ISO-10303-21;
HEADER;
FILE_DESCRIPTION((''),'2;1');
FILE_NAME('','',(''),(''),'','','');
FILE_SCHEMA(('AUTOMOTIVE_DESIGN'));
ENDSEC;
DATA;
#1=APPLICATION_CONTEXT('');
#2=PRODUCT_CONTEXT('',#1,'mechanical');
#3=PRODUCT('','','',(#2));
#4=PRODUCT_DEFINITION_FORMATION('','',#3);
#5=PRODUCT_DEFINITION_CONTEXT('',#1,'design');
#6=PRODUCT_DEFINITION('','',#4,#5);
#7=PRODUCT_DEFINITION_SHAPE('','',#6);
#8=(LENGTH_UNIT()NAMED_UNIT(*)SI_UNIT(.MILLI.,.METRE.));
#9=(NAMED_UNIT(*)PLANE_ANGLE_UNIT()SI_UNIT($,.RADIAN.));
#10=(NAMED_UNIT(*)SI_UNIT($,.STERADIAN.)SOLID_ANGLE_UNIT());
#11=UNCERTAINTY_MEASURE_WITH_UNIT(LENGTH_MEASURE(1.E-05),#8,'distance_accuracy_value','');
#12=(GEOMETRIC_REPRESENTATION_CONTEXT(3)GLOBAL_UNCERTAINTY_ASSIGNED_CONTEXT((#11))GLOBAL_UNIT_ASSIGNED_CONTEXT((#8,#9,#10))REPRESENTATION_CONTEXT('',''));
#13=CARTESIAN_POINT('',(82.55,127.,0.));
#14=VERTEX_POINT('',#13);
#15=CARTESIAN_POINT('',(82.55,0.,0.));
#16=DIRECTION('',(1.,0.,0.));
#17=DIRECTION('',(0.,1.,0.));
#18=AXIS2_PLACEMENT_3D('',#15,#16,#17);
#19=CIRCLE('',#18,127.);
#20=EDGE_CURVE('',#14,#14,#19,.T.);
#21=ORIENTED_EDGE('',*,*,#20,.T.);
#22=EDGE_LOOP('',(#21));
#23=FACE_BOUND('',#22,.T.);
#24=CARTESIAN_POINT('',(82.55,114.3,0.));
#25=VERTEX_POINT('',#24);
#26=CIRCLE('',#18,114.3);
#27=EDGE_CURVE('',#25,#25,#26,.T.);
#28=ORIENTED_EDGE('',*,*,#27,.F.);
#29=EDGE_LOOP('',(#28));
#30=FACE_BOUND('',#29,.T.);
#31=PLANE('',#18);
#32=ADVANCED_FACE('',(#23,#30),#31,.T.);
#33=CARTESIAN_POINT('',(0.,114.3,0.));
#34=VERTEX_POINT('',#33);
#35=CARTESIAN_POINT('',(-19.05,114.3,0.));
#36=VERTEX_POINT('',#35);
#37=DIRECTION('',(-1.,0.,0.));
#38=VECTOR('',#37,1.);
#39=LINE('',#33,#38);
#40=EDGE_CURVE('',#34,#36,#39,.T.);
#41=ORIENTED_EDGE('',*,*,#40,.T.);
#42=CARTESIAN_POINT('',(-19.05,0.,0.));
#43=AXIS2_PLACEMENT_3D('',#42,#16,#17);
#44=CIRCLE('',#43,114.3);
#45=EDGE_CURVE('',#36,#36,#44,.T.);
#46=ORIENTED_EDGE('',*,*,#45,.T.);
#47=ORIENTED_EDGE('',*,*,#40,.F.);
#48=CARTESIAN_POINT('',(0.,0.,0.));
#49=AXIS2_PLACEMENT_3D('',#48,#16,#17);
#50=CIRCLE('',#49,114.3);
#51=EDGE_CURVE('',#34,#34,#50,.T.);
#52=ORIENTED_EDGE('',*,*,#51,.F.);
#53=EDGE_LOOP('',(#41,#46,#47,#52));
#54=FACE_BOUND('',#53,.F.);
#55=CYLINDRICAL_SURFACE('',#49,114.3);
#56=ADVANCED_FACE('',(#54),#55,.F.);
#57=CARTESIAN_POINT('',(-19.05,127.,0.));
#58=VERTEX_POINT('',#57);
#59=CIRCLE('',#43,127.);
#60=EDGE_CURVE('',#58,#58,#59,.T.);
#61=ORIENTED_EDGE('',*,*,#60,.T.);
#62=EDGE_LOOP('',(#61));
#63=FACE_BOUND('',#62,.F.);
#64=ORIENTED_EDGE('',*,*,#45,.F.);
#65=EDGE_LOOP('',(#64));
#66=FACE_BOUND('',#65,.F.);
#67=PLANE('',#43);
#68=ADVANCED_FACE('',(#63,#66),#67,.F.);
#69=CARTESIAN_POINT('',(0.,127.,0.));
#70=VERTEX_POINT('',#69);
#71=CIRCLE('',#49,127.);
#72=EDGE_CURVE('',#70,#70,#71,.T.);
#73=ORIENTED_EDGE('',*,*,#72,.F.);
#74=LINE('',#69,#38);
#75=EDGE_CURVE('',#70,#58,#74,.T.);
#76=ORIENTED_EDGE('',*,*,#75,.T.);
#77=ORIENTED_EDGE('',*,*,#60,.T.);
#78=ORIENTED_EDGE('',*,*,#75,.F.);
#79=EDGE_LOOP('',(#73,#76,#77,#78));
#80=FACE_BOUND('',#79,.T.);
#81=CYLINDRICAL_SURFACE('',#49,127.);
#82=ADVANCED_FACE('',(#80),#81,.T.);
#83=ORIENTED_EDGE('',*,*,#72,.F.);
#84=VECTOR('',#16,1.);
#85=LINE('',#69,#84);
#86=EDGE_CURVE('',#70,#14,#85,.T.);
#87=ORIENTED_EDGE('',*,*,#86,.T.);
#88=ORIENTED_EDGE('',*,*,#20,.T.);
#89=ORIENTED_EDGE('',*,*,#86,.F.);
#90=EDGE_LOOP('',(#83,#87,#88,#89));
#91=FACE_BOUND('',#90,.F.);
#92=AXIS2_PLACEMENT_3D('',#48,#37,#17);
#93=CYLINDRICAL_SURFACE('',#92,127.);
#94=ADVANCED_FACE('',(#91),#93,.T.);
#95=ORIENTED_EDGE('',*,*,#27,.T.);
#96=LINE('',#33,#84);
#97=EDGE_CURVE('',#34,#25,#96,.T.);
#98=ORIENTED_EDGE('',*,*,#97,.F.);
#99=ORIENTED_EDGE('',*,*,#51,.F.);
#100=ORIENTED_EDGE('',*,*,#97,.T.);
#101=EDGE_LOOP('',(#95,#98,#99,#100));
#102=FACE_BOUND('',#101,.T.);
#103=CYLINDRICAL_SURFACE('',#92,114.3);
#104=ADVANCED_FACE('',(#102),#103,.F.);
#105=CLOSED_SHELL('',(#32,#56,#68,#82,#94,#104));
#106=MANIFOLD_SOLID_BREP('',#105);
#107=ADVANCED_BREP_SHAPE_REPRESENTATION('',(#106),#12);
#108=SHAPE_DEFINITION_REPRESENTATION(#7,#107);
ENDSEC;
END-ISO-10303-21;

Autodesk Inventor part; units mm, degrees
ref_plane "YZ Plane" through (0, 0, 0) normal (1, 0, 0) x (0, 1, 0)
ref_plane "XZ Plane" through (0, 0, 0) normal (0, 1, 0) x (-1, 0, 0)
ref_plane "XY Plane" through (0, 0, 0) normal (0, 0, 1) x (1, 0, 0)
sketch "Sketch1" plane through (0, 0, 0) normal (1, 0, 0) x (0, 1, 0)
  circle A0 centre (0, 0) radius 114.3
  circle A1 centre (0, 0) radius 127
  dimension "d0" = 228.6
  dimension "d1" = 254
extrude "Extrusion1" add sketch "Sketch1" along normal blind 82.55 and the other way blind 19.05
properties part number "NASA-20-WT-01" material "ABS Plastic"
